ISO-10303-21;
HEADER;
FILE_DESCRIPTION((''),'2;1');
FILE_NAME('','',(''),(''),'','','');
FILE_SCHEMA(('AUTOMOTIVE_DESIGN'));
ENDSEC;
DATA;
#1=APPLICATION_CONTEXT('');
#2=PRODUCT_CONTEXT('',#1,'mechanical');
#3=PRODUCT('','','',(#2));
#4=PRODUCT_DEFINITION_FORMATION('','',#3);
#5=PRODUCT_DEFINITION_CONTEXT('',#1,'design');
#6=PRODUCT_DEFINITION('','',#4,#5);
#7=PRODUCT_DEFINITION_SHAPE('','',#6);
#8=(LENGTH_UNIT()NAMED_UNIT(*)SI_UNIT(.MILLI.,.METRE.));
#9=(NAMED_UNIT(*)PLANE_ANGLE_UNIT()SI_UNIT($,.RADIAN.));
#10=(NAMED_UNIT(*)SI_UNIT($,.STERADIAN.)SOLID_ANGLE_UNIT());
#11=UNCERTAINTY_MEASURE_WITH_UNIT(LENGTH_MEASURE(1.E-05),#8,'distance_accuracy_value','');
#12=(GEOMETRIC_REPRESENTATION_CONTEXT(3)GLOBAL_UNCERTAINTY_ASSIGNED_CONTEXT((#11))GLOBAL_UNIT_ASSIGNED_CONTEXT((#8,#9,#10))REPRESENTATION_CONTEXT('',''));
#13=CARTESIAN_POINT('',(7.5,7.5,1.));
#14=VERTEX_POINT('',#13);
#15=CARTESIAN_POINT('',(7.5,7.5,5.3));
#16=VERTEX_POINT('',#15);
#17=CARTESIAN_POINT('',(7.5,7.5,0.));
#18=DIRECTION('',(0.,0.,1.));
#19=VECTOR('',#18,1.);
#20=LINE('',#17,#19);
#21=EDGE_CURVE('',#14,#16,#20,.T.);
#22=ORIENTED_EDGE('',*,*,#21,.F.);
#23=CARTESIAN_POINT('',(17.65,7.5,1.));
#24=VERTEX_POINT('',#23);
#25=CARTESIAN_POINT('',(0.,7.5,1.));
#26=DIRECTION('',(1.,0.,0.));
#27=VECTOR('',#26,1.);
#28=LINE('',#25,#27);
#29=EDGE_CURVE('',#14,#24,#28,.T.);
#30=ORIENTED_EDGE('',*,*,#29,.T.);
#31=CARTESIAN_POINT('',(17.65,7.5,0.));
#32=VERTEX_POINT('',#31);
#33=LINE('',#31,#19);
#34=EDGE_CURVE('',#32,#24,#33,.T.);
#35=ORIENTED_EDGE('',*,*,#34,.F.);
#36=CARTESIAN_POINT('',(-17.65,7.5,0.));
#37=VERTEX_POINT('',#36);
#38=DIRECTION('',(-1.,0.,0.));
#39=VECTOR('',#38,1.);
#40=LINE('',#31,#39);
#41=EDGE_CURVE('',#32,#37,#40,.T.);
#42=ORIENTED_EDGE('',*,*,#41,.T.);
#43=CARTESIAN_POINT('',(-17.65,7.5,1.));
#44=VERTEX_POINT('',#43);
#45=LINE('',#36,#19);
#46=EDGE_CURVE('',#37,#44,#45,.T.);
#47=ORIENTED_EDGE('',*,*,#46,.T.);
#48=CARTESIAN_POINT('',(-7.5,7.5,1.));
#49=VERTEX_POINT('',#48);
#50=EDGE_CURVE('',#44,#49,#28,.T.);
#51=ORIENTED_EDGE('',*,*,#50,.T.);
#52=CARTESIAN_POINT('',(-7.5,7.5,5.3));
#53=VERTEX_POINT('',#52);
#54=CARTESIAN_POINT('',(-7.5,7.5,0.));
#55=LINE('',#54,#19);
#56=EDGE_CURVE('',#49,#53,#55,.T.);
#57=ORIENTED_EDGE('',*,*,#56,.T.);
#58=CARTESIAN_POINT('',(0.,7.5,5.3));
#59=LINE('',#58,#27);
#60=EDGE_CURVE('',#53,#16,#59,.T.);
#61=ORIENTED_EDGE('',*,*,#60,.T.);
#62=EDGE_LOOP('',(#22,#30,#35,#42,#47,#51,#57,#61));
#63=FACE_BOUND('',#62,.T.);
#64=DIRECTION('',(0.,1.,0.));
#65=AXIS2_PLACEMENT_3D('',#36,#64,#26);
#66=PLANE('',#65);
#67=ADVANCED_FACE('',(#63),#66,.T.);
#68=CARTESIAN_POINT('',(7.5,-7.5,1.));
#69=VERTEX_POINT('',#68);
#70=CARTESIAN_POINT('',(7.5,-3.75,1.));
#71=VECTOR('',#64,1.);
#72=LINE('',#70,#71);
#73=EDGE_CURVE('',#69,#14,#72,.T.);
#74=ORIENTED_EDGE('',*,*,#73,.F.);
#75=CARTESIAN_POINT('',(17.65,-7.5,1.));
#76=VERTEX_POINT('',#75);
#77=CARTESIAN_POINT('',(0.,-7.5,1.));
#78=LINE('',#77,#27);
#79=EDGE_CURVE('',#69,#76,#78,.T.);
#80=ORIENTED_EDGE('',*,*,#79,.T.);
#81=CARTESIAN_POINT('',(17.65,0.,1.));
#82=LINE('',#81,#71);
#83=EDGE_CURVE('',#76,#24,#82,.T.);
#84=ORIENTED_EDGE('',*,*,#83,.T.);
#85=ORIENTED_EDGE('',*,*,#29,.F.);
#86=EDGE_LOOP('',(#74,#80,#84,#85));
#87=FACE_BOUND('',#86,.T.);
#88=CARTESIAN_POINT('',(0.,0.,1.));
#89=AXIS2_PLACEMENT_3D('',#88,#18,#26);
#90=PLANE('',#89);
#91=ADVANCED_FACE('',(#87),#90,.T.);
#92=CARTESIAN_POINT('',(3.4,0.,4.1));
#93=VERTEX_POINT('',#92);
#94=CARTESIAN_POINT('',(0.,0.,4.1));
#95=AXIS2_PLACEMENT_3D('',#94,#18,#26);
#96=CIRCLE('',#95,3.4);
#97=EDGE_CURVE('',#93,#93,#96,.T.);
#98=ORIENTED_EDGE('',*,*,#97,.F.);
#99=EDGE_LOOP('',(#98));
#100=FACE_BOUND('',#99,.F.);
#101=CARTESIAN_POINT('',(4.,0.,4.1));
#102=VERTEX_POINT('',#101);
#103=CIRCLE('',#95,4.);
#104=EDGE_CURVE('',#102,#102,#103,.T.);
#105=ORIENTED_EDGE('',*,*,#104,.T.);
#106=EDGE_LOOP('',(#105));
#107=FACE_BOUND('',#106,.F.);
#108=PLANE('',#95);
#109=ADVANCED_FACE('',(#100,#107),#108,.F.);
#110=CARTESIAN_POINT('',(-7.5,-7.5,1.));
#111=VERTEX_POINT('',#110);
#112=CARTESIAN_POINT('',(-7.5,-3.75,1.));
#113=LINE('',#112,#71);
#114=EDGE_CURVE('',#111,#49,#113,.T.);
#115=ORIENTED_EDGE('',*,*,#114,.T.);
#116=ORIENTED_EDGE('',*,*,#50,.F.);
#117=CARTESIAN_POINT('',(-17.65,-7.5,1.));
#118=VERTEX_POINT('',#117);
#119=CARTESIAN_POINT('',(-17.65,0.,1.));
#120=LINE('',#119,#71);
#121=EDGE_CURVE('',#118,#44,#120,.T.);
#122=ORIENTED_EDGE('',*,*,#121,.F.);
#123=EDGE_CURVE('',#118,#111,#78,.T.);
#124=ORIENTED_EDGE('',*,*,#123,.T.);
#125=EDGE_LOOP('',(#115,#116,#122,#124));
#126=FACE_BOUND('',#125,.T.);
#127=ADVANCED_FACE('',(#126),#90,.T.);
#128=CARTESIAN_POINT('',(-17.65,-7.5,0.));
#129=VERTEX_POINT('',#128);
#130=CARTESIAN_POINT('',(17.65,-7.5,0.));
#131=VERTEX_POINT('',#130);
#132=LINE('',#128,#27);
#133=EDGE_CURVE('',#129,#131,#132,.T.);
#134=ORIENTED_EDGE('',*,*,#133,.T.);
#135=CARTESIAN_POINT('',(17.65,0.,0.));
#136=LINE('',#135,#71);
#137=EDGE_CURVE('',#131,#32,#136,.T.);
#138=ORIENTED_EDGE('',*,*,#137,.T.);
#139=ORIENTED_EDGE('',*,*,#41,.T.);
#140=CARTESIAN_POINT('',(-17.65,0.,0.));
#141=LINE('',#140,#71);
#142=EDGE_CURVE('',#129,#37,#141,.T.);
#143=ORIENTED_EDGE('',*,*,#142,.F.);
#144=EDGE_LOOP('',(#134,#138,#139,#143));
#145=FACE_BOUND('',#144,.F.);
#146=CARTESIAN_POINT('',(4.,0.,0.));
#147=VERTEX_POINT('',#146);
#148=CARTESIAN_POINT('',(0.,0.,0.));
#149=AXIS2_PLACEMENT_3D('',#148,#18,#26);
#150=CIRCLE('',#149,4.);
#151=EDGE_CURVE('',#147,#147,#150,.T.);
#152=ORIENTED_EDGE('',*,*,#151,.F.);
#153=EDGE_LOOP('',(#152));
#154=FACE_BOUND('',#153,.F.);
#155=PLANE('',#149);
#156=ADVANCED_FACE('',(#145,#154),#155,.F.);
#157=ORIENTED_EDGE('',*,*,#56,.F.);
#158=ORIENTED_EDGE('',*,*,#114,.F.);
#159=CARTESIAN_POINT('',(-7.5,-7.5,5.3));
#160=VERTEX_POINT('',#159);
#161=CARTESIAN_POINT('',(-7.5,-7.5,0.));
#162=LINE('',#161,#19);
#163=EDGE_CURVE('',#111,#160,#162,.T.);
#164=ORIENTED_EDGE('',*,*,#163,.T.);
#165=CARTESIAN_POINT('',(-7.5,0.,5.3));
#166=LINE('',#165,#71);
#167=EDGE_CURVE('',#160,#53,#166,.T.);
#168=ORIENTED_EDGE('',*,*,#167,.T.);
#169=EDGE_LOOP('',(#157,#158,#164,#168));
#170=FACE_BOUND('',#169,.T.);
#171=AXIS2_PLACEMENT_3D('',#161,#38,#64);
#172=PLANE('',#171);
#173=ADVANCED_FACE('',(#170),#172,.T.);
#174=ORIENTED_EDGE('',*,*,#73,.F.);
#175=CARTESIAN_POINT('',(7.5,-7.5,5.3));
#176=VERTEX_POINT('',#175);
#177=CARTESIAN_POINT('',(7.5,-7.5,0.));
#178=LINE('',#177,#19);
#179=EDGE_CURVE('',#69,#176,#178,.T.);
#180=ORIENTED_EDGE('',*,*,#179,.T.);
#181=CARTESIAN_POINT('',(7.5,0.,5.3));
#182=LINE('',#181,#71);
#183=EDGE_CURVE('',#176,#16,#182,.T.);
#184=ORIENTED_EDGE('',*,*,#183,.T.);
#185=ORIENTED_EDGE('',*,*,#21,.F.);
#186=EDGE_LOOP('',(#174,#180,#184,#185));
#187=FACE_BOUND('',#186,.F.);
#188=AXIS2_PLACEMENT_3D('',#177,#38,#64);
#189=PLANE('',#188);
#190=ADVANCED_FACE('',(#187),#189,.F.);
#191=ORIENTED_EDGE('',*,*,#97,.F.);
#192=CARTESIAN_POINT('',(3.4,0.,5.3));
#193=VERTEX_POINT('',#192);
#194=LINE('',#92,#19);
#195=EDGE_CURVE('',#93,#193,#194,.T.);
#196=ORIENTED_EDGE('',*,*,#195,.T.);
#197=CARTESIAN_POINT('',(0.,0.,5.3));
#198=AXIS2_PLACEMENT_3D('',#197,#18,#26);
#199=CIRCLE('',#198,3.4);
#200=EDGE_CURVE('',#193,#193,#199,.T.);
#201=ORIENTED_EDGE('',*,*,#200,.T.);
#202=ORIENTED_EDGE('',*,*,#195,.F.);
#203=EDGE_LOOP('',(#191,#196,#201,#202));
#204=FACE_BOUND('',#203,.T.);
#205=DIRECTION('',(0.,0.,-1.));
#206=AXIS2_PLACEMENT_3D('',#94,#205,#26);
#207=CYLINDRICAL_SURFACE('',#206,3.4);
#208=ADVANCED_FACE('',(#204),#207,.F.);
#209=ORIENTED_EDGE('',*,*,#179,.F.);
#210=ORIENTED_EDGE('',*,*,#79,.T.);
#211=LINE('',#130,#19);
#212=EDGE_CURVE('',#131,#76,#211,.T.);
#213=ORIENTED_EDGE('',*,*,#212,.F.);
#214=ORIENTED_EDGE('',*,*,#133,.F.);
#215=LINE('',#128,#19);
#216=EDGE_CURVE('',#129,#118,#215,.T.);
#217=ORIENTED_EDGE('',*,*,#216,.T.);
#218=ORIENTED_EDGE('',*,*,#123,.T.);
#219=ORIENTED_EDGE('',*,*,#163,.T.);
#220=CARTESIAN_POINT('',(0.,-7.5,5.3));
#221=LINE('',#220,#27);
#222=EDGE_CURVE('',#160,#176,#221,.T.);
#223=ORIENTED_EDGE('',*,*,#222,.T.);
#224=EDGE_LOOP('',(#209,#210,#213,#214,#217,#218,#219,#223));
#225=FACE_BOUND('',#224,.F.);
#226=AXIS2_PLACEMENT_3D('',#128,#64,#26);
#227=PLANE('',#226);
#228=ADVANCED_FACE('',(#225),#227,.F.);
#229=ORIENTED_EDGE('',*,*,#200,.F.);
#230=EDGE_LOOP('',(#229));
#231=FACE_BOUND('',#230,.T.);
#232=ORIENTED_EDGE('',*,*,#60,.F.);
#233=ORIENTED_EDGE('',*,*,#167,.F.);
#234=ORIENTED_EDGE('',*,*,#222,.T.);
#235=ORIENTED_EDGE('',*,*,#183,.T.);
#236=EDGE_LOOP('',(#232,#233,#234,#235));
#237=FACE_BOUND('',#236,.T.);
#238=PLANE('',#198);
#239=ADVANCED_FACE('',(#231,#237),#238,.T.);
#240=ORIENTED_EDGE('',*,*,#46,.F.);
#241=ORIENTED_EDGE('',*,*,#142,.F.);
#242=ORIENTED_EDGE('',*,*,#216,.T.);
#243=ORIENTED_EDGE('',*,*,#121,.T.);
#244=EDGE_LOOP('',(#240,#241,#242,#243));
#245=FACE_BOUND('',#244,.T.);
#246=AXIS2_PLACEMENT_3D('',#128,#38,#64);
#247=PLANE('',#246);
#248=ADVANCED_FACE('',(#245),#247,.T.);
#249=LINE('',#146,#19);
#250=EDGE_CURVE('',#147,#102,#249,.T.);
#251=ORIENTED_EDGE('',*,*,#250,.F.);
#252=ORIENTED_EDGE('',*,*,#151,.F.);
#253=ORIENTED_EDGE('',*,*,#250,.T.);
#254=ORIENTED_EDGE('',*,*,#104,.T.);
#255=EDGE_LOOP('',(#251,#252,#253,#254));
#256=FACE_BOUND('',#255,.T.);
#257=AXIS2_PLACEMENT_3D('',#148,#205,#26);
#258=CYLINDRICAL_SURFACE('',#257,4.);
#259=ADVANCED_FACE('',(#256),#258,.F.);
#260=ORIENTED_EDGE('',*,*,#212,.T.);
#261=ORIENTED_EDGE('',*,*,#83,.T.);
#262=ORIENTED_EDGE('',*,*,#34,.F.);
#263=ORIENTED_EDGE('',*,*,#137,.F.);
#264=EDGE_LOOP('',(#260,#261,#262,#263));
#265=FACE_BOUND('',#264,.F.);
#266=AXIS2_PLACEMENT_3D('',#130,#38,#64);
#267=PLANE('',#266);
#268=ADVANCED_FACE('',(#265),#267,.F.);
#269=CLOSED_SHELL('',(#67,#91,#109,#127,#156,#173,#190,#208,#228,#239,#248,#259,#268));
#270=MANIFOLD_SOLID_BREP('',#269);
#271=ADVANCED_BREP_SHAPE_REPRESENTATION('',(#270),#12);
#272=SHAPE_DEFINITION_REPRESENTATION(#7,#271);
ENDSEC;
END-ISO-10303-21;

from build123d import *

# Parameters (mm, degrees)
CYLINDER_R        = 4
CYLINDER_DEPTH    = 4.1
CYLINDER001_R     = 3.4
CYLINDER001_DEPTH = 1.2
BOX001_W          = 35.3
BOX001_H          = 15
BOX001_DEPTH      = 1
BOX_W             = 15
BOX_H             = 15
BOX_DEPTH         = 5.3


with BuildPart() as lentesgruesos:
    # Cylinder → Cylinder (new body)
    with BuildSketch(Plane.XY):
        Circle(CYLINDER_R)
    extrude(amount=CYLINDER_DEPTH)


with BuildPart() as lente:
    # Cylinder001 → Cylinder001 (new body)
    with BuildSketch(Plane.XY.offset(4.1)):
        Circle(CYLINDER001_R)
    extrude(amount=CYLINDER001_DEPTH)

    # Fusion: union lentesGruesos
    add(lentesgruesos.part)


with BuildPart() as correa:
    # Box001 → Box001 (new body)
    with BuildSketch(Plane(origin=(-17.65, -7.5, 0), x_dir=(1, 0, 0), z_dir=(0, 0, 1))):
        with Locations((17.65, 7.5)):
            Rectangle(BOX001_W, BOX001_H)
    extrude(amount=BOX001_DEPTH)


with BuildPart() as cut:
    # Box → Box (new body)
    with BuildSketch(Plane(origin=(-7.5, -7.5, 0), x_dir=(1, 0, 0), z_dir=(0, 0, 1))):
        with Locations((7.5, 7.5)):
            Rectangle(BOX_W, BOX_H)
    extrude(amount=BOX_DEPTH)

    # Fusion001: union correa
    add(correa.part)

    # Cut: cut lente
    add(lente.part, mode=Mode.SUBTRACT)


solid = cut.part
